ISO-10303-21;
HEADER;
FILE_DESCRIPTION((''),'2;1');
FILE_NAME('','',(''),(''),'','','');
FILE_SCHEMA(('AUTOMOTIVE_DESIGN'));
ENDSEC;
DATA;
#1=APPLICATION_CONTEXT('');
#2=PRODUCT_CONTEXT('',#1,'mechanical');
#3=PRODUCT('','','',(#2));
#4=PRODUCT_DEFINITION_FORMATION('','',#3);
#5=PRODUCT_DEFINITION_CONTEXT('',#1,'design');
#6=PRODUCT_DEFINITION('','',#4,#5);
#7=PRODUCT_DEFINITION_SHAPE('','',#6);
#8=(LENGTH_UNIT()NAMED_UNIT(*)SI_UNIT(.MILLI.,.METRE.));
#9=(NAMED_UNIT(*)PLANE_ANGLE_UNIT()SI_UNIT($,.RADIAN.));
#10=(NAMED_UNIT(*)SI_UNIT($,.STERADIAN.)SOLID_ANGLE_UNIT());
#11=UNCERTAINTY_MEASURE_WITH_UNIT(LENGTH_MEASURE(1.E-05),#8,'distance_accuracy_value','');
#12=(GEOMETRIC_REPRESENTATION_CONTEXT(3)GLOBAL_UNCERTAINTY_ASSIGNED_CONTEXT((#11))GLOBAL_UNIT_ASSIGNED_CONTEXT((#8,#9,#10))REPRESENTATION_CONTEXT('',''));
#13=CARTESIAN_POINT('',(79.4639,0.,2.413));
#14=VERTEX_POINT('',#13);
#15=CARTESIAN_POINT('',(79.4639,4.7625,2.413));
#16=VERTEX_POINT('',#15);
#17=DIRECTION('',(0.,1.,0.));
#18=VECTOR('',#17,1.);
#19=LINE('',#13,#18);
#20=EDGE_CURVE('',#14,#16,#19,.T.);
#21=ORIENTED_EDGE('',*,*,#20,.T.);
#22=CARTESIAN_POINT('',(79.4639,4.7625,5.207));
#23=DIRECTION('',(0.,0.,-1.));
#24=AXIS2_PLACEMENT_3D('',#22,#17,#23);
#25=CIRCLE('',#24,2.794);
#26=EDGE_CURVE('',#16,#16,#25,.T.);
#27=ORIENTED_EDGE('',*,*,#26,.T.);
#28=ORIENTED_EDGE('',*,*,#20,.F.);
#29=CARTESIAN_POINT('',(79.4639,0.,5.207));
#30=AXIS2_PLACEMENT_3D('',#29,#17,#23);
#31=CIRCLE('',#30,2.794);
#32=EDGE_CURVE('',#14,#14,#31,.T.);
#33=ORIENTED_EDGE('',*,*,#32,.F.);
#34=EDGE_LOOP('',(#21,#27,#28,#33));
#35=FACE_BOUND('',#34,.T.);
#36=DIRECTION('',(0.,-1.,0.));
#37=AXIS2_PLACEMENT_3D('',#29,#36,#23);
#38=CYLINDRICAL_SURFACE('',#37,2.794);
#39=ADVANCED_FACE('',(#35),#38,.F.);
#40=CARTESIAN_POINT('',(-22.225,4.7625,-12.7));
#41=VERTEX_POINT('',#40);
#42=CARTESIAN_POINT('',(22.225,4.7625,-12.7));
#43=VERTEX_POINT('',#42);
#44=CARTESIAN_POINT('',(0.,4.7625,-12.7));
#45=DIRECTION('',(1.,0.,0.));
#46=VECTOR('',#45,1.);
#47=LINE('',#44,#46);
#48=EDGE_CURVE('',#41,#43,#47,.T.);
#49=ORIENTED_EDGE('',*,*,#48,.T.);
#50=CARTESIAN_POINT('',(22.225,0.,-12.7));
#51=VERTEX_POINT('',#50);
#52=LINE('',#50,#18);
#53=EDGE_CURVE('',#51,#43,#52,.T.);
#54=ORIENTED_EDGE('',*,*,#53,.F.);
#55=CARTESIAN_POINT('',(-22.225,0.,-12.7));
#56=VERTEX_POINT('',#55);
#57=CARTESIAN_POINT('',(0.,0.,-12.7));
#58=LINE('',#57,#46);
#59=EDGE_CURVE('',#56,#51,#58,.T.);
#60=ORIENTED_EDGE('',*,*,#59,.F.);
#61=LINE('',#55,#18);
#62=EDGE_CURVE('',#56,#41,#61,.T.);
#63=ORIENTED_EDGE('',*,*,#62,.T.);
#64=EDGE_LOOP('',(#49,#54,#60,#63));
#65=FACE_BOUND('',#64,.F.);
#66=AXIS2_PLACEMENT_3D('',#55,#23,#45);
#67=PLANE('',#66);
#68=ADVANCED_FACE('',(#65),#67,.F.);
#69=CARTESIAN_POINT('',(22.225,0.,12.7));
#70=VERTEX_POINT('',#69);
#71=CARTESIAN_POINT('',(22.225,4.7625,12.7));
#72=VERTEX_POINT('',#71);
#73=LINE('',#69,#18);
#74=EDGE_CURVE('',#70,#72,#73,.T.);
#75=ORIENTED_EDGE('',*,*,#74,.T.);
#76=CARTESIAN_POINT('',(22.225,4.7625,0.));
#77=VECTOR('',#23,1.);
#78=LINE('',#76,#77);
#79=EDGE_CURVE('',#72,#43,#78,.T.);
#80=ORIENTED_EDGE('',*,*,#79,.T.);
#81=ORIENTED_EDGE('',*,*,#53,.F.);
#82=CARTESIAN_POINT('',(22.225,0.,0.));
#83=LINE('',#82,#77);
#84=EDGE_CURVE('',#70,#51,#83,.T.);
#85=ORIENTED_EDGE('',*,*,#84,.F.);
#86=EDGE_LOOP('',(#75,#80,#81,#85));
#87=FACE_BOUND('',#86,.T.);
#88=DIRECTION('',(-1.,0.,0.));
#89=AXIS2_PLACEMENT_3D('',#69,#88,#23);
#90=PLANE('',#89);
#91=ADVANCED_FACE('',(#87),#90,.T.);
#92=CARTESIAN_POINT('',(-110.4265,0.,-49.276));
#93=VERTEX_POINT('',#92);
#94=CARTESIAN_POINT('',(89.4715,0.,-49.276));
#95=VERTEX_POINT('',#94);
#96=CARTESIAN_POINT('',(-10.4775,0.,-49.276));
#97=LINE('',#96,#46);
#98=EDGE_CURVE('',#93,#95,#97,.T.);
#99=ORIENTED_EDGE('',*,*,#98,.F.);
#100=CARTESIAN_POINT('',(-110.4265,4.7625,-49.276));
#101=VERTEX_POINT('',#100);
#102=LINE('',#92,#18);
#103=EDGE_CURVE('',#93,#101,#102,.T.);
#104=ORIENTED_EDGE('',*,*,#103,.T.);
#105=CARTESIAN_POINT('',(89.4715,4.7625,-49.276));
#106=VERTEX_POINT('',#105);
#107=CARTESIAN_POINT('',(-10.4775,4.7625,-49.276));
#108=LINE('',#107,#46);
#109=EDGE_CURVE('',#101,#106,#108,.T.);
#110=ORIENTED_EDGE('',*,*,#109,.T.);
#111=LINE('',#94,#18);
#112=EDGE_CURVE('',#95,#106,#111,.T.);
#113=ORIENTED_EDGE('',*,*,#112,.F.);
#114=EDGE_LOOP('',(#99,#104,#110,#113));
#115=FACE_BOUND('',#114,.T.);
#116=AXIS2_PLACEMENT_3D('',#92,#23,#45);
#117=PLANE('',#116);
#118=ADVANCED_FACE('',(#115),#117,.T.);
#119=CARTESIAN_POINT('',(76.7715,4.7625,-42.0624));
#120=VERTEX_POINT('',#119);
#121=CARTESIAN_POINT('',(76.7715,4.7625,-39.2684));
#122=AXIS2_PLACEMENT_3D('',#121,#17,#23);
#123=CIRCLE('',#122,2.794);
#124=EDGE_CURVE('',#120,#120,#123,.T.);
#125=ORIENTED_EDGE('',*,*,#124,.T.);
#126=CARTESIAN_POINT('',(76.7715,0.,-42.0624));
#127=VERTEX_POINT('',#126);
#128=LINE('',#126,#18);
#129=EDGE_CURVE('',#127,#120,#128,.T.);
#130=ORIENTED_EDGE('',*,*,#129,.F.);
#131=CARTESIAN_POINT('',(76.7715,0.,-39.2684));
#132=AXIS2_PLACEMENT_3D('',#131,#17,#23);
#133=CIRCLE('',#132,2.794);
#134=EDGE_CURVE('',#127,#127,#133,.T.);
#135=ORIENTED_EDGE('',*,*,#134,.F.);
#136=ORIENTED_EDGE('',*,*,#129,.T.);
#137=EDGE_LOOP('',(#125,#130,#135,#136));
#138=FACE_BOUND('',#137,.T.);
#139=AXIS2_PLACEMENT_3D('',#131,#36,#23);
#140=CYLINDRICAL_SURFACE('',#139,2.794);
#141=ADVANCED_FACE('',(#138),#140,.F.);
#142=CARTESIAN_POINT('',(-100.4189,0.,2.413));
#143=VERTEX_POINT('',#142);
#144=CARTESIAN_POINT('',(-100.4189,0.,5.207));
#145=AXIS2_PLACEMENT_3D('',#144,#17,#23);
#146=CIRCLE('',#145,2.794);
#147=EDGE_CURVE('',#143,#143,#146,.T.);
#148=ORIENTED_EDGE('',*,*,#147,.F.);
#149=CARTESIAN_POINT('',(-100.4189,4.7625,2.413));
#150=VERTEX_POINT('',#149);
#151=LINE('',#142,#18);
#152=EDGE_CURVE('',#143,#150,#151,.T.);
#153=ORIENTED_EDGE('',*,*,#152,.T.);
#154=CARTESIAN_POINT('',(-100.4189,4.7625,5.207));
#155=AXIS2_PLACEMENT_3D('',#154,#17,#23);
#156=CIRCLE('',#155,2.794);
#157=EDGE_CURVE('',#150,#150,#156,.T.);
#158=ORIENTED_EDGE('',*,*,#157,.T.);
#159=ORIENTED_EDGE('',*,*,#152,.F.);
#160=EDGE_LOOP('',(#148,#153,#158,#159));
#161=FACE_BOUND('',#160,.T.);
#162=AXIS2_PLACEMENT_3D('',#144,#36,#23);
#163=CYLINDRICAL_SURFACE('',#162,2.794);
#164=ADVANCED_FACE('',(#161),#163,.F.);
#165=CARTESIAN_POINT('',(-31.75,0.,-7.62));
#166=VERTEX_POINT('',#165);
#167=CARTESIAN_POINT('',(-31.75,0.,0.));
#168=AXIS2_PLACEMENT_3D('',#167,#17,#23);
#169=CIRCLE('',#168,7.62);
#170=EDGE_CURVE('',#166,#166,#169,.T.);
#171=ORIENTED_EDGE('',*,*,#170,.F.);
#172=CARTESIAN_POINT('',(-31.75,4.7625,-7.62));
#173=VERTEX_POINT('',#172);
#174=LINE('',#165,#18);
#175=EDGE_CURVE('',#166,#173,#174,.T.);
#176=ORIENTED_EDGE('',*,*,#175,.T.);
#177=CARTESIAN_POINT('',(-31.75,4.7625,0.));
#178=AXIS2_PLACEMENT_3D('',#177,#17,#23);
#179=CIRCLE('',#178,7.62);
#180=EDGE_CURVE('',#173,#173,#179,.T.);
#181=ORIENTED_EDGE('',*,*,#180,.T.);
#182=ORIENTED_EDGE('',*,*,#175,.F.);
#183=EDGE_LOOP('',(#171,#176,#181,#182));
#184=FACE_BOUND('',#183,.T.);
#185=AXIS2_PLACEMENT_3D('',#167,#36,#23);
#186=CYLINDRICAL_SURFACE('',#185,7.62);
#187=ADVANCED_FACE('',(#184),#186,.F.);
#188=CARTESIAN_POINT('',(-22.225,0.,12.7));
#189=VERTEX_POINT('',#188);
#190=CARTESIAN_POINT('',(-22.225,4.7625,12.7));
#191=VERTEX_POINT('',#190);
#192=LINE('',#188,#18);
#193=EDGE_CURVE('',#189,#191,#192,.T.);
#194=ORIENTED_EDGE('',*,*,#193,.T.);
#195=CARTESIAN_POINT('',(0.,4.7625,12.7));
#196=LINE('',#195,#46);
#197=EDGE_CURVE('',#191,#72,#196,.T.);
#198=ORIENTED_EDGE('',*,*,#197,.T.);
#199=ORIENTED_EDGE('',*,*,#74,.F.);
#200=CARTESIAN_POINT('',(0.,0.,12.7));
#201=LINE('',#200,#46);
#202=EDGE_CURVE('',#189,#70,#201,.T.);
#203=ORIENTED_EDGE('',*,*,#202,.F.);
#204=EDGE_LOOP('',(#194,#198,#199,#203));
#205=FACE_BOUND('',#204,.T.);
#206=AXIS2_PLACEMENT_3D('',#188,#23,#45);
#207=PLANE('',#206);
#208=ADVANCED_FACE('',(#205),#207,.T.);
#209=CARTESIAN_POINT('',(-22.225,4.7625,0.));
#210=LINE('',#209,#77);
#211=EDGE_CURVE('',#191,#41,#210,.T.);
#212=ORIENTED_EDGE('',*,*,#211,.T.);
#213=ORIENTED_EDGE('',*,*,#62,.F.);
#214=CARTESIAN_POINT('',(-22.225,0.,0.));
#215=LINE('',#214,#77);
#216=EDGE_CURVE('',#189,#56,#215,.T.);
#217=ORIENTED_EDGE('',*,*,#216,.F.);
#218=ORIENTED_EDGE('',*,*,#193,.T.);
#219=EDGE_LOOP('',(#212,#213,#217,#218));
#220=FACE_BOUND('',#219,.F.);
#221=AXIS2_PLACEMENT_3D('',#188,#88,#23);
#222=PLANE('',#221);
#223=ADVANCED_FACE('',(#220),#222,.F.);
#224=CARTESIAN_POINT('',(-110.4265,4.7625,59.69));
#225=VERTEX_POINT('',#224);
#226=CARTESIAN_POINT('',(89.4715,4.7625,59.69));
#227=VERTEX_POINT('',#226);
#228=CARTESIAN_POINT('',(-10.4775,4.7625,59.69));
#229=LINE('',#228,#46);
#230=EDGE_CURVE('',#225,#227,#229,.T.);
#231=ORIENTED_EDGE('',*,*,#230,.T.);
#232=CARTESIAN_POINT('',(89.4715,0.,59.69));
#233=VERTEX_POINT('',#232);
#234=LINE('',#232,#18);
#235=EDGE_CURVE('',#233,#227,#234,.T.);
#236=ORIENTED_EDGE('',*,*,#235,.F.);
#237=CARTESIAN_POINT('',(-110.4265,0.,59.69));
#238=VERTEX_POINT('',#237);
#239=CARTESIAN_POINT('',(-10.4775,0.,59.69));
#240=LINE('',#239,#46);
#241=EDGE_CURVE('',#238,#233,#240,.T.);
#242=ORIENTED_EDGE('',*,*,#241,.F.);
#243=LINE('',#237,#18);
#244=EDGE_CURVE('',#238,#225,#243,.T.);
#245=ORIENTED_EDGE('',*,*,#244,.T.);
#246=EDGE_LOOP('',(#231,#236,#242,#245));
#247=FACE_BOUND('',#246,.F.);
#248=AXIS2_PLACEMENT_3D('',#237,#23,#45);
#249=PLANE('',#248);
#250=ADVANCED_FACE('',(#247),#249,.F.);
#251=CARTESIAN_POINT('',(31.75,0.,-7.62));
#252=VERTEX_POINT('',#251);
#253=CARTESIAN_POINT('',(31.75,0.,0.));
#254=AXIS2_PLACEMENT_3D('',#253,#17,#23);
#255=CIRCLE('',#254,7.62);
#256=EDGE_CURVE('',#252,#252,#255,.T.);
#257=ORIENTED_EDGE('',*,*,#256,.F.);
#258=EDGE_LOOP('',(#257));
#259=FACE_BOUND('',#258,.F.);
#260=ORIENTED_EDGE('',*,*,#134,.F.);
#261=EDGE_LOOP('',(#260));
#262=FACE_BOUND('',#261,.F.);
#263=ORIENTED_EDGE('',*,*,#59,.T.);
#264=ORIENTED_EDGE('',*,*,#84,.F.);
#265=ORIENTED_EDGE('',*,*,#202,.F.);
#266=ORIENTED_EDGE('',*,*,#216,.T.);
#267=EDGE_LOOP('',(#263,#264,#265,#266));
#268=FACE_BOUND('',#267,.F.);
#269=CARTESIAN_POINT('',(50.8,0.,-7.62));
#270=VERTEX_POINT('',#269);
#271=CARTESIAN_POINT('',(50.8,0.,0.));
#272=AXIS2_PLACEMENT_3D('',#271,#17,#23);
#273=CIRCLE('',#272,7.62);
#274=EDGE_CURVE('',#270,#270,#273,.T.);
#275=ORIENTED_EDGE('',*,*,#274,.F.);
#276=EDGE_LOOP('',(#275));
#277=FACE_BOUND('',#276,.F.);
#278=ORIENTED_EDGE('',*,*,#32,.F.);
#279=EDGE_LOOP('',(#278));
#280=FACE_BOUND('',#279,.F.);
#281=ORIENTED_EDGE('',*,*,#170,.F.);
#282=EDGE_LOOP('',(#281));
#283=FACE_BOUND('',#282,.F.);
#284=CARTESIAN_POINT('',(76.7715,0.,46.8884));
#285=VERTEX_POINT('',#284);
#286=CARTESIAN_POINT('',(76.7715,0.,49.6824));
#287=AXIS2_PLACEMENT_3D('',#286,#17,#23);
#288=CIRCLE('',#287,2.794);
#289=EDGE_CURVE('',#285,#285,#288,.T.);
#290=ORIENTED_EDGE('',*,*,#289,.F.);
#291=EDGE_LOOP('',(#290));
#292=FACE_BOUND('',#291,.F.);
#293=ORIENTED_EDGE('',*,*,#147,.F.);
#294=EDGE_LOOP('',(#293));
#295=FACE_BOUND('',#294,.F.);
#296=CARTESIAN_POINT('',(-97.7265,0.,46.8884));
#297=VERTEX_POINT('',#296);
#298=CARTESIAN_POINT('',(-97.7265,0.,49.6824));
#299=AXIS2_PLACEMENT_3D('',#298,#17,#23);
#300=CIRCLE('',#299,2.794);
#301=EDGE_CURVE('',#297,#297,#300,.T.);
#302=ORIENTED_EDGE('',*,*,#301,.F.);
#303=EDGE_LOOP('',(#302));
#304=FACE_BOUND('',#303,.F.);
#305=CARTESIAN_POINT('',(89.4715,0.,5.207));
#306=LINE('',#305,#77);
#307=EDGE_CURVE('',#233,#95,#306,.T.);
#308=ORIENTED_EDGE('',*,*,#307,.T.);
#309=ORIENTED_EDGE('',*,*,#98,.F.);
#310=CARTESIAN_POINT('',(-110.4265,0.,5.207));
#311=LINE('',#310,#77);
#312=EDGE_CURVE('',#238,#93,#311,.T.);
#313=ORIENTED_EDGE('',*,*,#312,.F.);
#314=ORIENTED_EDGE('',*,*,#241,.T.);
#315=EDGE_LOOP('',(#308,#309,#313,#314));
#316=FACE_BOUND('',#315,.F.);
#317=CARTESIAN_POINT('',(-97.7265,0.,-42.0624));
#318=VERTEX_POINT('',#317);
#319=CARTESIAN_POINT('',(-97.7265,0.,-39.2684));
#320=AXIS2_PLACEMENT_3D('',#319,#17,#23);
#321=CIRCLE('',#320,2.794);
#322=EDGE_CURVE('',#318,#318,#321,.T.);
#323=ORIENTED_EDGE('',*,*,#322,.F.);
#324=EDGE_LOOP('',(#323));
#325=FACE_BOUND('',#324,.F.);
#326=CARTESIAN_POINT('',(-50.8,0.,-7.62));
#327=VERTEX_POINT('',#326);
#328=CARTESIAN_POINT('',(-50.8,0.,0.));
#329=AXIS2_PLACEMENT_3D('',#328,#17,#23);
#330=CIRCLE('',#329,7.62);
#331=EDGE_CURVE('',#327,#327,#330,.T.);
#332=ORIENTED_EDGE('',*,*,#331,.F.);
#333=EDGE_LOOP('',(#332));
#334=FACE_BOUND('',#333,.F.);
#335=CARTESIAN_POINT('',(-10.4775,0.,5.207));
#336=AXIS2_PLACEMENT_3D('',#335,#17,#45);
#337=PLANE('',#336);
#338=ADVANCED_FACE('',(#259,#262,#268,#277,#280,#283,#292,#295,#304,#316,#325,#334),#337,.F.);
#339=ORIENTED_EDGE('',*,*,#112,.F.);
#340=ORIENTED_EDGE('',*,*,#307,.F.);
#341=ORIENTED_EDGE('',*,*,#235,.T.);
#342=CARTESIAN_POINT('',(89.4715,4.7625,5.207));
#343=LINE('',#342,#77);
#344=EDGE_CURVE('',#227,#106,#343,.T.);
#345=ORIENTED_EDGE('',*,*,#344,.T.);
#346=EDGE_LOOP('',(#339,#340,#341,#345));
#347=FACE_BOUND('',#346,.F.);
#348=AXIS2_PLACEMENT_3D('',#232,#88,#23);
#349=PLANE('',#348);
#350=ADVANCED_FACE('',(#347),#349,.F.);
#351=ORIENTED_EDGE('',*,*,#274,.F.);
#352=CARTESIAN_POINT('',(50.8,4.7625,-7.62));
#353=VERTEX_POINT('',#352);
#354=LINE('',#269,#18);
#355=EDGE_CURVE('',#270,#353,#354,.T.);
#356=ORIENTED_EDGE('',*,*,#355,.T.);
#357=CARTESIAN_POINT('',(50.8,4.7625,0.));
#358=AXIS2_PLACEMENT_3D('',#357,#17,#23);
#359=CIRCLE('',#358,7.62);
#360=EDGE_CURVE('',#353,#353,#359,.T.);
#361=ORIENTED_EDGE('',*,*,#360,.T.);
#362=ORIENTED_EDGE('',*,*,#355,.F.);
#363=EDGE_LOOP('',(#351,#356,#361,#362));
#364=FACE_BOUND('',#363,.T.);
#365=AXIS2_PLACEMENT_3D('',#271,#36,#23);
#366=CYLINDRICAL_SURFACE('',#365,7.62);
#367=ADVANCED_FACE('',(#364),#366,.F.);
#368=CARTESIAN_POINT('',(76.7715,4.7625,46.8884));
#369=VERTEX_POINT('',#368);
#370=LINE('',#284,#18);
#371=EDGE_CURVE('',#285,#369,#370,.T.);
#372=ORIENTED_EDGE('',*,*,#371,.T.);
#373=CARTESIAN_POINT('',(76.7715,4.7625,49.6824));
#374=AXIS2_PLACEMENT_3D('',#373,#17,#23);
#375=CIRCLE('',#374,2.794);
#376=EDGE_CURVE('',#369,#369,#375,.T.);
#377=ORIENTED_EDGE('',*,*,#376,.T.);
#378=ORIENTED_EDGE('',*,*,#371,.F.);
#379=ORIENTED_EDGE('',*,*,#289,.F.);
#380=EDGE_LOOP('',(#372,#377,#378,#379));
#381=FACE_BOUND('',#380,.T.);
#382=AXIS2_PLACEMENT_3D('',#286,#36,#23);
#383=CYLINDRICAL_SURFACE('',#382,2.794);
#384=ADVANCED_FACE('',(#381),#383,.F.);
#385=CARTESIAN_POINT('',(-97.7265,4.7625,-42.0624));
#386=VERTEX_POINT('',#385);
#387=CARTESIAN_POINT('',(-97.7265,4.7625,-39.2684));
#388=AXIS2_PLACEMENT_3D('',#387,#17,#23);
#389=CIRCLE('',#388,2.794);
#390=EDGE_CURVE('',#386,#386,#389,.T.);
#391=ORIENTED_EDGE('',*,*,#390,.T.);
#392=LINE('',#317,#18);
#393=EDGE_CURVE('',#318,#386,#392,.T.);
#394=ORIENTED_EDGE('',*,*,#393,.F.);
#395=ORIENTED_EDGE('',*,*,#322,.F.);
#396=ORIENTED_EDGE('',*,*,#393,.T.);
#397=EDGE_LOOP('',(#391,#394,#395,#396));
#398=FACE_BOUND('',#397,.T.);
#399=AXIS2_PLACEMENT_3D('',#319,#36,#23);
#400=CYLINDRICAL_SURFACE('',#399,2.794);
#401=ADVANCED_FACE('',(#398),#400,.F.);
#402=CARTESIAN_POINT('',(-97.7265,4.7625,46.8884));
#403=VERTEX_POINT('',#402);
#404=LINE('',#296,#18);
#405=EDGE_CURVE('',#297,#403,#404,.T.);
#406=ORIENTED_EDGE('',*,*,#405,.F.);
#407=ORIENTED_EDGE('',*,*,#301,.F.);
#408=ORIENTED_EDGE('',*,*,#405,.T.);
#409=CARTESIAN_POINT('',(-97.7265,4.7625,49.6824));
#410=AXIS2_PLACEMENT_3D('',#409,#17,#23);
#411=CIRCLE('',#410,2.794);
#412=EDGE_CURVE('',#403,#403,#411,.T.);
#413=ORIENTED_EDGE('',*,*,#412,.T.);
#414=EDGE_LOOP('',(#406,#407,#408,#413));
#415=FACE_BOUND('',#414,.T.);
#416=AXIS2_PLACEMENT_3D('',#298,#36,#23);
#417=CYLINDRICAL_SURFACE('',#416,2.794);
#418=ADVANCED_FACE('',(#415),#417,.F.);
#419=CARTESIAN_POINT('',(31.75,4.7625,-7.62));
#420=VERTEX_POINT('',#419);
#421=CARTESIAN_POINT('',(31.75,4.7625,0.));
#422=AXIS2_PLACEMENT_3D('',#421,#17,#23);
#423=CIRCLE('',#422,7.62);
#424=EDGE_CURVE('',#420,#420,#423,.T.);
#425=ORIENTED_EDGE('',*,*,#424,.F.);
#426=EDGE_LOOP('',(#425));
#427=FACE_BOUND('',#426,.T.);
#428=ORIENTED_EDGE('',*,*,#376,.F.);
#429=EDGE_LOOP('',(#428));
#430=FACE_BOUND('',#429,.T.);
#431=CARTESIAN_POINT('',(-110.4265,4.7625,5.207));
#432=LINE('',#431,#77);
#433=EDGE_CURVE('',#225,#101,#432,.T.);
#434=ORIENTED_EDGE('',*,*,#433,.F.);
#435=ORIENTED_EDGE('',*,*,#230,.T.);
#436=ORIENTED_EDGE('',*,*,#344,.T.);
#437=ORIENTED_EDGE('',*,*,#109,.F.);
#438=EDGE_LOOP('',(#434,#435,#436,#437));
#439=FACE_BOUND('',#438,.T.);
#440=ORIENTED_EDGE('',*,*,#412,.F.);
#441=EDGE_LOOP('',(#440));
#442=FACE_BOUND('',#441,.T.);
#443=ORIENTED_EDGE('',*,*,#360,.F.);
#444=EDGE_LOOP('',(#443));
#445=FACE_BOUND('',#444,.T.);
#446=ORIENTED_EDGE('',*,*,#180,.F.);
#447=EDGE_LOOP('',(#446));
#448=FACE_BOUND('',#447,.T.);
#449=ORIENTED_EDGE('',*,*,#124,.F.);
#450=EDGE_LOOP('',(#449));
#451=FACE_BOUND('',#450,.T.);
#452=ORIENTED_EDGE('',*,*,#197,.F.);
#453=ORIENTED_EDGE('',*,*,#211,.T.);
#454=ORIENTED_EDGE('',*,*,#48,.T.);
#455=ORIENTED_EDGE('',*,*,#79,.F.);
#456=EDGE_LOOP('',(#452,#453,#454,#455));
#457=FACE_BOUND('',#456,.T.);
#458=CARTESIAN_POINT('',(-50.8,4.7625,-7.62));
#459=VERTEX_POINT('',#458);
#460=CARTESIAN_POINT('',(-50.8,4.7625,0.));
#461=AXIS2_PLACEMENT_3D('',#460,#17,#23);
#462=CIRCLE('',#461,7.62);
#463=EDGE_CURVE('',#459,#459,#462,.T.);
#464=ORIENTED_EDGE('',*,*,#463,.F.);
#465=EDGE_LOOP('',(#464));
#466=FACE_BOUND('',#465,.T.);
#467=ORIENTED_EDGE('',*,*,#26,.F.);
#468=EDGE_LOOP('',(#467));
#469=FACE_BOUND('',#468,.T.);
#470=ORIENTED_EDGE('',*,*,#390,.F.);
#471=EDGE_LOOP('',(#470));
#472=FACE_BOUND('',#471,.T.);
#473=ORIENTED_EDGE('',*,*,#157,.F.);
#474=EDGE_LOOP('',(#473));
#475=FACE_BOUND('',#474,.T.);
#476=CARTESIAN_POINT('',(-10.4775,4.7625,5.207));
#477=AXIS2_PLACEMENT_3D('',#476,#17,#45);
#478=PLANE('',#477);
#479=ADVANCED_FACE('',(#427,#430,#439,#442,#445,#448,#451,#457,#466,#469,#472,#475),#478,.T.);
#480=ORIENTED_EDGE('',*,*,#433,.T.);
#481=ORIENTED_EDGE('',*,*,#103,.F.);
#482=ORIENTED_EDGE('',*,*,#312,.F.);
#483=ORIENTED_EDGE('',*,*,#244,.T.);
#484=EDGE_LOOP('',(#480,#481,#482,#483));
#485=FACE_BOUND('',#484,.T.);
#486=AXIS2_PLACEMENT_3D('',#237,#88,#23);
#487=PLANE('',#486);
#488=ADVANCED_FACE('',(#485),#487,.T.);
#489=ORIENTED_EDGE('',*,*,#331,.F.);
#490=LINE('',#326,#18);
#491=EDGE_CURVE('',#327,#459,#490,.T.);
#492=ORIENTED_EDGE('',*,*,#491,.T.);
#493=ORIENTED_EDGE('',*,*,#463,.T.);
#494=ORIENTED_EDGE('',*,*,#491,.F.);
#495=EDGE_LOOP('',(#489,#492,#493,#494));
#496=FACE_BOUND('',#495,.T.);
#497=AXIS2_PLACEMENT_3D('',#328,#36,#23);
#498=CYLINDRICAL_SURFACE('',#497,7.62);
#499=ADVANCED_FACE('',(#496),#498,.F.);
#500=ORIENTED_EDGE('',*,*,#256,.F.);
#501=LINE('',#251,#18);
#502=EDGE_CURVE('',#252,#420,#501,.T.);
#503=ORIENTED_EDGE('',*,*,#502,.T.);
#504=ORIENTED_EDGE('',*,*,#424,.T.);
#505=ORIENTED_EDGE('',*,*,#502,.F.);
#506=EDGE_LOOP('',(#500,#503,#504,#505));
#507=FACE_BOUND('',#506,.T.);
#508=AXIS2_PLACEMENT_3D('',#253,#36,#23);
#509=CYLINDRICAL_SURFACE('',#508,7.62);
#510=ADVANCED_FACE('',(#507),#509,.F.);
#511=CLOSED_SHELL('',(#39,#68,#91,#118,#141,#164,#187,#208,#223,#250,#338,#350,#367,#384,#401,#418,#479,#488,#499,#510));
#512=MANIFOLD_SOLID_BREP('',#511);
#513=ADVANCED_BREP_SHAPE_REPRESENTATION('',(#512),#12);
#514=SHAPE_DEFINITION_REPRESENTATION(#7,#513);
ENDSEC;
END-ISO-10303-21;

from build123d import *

# Parameters (mm, degrees)
SKETCH1_W           = 199.898
SKETCH1_H           = 108.966
SKETCH1_R           = 7.62
SKETCH1_R_2         = 2.794
SKETCH1_W_2         = 44.45
SKETCH1_H_2         = 25.4
BOSS_EXTRUDE1_DEPTH = 4.7625


with BuildPart() as part:
    # Sketch1 → Boss-Extrude1 (new body)
    with BuildSketch(Plane(origin=(0, 0, 0), x_dir=(1, 0, 0), z_dir=(0, 1, 0))):
        with Locations((-10.4775, -5.207)):
            Rectangle(SKETCH1_W, SKETCH1_H)
        with Locations(Location((-50.8, 0, 0), (0, 0, 90))):
            Circle(SKETCH1_R, mode=Mode.SUBTRACT)
        with Locations(Location((-31.75, 0, 0), (0, 0, 90))):
            Circle(SKETCH1_R, mode=Mode.SUBTRACT)
        with Locations(Location((31.75, 0, 0), (0, 0, 90))):
            Circle(SKETCH1_R, mode=Mode.SUBTRACT)
        with Locations(Location((50.8, 0, 0), (0, 0, 90))):
            Circle(SKETCH1_R, mode=Mode.SUBTRACT)
        with Locations(Location((-97.7265, 39.2684, 0), (0, 0, 90))):
            Circle(SKETCH1_R_2, mode=Mode.SUBTRACT)
        with Locations(Location((76.7715, 39.2684, 0), (0, 0, 90))):
            Circle(SKETCH1_R_2, mode=Mode.SUBTRACT)
        with Locations(Location((79.4639, -5.207, 0), (0, 0, 90))):
            Circle(SKETCH1_R_2, mode=Mode.SUBTRACT)
        with Locations(Location((76.7715, -49.6824, 0), (0, 0, 90))):
            Circle(SKETCH1_R_2, mode=Mode.SUBTRACT)
        with Locations(Location((-97.7265, -49.6824, 0), (0, 0, 90))):
            Circle(SKETCH1_R_2, mode=Mode.SUBTRACT)
        with Locations(Location((-100.4189, -5.207, 0), (0, 0, 90))):
            Circle(SKETCH1_R_2, mode=Mode.SUBTRACT)
        Rectangle(SKETCH1_W_2, SKETCH1_H_2, mode=Mode.SUBTRACT)
    extrude(amount=BOSS_EXTRUDE1_DEPTH)


solid = part.part
